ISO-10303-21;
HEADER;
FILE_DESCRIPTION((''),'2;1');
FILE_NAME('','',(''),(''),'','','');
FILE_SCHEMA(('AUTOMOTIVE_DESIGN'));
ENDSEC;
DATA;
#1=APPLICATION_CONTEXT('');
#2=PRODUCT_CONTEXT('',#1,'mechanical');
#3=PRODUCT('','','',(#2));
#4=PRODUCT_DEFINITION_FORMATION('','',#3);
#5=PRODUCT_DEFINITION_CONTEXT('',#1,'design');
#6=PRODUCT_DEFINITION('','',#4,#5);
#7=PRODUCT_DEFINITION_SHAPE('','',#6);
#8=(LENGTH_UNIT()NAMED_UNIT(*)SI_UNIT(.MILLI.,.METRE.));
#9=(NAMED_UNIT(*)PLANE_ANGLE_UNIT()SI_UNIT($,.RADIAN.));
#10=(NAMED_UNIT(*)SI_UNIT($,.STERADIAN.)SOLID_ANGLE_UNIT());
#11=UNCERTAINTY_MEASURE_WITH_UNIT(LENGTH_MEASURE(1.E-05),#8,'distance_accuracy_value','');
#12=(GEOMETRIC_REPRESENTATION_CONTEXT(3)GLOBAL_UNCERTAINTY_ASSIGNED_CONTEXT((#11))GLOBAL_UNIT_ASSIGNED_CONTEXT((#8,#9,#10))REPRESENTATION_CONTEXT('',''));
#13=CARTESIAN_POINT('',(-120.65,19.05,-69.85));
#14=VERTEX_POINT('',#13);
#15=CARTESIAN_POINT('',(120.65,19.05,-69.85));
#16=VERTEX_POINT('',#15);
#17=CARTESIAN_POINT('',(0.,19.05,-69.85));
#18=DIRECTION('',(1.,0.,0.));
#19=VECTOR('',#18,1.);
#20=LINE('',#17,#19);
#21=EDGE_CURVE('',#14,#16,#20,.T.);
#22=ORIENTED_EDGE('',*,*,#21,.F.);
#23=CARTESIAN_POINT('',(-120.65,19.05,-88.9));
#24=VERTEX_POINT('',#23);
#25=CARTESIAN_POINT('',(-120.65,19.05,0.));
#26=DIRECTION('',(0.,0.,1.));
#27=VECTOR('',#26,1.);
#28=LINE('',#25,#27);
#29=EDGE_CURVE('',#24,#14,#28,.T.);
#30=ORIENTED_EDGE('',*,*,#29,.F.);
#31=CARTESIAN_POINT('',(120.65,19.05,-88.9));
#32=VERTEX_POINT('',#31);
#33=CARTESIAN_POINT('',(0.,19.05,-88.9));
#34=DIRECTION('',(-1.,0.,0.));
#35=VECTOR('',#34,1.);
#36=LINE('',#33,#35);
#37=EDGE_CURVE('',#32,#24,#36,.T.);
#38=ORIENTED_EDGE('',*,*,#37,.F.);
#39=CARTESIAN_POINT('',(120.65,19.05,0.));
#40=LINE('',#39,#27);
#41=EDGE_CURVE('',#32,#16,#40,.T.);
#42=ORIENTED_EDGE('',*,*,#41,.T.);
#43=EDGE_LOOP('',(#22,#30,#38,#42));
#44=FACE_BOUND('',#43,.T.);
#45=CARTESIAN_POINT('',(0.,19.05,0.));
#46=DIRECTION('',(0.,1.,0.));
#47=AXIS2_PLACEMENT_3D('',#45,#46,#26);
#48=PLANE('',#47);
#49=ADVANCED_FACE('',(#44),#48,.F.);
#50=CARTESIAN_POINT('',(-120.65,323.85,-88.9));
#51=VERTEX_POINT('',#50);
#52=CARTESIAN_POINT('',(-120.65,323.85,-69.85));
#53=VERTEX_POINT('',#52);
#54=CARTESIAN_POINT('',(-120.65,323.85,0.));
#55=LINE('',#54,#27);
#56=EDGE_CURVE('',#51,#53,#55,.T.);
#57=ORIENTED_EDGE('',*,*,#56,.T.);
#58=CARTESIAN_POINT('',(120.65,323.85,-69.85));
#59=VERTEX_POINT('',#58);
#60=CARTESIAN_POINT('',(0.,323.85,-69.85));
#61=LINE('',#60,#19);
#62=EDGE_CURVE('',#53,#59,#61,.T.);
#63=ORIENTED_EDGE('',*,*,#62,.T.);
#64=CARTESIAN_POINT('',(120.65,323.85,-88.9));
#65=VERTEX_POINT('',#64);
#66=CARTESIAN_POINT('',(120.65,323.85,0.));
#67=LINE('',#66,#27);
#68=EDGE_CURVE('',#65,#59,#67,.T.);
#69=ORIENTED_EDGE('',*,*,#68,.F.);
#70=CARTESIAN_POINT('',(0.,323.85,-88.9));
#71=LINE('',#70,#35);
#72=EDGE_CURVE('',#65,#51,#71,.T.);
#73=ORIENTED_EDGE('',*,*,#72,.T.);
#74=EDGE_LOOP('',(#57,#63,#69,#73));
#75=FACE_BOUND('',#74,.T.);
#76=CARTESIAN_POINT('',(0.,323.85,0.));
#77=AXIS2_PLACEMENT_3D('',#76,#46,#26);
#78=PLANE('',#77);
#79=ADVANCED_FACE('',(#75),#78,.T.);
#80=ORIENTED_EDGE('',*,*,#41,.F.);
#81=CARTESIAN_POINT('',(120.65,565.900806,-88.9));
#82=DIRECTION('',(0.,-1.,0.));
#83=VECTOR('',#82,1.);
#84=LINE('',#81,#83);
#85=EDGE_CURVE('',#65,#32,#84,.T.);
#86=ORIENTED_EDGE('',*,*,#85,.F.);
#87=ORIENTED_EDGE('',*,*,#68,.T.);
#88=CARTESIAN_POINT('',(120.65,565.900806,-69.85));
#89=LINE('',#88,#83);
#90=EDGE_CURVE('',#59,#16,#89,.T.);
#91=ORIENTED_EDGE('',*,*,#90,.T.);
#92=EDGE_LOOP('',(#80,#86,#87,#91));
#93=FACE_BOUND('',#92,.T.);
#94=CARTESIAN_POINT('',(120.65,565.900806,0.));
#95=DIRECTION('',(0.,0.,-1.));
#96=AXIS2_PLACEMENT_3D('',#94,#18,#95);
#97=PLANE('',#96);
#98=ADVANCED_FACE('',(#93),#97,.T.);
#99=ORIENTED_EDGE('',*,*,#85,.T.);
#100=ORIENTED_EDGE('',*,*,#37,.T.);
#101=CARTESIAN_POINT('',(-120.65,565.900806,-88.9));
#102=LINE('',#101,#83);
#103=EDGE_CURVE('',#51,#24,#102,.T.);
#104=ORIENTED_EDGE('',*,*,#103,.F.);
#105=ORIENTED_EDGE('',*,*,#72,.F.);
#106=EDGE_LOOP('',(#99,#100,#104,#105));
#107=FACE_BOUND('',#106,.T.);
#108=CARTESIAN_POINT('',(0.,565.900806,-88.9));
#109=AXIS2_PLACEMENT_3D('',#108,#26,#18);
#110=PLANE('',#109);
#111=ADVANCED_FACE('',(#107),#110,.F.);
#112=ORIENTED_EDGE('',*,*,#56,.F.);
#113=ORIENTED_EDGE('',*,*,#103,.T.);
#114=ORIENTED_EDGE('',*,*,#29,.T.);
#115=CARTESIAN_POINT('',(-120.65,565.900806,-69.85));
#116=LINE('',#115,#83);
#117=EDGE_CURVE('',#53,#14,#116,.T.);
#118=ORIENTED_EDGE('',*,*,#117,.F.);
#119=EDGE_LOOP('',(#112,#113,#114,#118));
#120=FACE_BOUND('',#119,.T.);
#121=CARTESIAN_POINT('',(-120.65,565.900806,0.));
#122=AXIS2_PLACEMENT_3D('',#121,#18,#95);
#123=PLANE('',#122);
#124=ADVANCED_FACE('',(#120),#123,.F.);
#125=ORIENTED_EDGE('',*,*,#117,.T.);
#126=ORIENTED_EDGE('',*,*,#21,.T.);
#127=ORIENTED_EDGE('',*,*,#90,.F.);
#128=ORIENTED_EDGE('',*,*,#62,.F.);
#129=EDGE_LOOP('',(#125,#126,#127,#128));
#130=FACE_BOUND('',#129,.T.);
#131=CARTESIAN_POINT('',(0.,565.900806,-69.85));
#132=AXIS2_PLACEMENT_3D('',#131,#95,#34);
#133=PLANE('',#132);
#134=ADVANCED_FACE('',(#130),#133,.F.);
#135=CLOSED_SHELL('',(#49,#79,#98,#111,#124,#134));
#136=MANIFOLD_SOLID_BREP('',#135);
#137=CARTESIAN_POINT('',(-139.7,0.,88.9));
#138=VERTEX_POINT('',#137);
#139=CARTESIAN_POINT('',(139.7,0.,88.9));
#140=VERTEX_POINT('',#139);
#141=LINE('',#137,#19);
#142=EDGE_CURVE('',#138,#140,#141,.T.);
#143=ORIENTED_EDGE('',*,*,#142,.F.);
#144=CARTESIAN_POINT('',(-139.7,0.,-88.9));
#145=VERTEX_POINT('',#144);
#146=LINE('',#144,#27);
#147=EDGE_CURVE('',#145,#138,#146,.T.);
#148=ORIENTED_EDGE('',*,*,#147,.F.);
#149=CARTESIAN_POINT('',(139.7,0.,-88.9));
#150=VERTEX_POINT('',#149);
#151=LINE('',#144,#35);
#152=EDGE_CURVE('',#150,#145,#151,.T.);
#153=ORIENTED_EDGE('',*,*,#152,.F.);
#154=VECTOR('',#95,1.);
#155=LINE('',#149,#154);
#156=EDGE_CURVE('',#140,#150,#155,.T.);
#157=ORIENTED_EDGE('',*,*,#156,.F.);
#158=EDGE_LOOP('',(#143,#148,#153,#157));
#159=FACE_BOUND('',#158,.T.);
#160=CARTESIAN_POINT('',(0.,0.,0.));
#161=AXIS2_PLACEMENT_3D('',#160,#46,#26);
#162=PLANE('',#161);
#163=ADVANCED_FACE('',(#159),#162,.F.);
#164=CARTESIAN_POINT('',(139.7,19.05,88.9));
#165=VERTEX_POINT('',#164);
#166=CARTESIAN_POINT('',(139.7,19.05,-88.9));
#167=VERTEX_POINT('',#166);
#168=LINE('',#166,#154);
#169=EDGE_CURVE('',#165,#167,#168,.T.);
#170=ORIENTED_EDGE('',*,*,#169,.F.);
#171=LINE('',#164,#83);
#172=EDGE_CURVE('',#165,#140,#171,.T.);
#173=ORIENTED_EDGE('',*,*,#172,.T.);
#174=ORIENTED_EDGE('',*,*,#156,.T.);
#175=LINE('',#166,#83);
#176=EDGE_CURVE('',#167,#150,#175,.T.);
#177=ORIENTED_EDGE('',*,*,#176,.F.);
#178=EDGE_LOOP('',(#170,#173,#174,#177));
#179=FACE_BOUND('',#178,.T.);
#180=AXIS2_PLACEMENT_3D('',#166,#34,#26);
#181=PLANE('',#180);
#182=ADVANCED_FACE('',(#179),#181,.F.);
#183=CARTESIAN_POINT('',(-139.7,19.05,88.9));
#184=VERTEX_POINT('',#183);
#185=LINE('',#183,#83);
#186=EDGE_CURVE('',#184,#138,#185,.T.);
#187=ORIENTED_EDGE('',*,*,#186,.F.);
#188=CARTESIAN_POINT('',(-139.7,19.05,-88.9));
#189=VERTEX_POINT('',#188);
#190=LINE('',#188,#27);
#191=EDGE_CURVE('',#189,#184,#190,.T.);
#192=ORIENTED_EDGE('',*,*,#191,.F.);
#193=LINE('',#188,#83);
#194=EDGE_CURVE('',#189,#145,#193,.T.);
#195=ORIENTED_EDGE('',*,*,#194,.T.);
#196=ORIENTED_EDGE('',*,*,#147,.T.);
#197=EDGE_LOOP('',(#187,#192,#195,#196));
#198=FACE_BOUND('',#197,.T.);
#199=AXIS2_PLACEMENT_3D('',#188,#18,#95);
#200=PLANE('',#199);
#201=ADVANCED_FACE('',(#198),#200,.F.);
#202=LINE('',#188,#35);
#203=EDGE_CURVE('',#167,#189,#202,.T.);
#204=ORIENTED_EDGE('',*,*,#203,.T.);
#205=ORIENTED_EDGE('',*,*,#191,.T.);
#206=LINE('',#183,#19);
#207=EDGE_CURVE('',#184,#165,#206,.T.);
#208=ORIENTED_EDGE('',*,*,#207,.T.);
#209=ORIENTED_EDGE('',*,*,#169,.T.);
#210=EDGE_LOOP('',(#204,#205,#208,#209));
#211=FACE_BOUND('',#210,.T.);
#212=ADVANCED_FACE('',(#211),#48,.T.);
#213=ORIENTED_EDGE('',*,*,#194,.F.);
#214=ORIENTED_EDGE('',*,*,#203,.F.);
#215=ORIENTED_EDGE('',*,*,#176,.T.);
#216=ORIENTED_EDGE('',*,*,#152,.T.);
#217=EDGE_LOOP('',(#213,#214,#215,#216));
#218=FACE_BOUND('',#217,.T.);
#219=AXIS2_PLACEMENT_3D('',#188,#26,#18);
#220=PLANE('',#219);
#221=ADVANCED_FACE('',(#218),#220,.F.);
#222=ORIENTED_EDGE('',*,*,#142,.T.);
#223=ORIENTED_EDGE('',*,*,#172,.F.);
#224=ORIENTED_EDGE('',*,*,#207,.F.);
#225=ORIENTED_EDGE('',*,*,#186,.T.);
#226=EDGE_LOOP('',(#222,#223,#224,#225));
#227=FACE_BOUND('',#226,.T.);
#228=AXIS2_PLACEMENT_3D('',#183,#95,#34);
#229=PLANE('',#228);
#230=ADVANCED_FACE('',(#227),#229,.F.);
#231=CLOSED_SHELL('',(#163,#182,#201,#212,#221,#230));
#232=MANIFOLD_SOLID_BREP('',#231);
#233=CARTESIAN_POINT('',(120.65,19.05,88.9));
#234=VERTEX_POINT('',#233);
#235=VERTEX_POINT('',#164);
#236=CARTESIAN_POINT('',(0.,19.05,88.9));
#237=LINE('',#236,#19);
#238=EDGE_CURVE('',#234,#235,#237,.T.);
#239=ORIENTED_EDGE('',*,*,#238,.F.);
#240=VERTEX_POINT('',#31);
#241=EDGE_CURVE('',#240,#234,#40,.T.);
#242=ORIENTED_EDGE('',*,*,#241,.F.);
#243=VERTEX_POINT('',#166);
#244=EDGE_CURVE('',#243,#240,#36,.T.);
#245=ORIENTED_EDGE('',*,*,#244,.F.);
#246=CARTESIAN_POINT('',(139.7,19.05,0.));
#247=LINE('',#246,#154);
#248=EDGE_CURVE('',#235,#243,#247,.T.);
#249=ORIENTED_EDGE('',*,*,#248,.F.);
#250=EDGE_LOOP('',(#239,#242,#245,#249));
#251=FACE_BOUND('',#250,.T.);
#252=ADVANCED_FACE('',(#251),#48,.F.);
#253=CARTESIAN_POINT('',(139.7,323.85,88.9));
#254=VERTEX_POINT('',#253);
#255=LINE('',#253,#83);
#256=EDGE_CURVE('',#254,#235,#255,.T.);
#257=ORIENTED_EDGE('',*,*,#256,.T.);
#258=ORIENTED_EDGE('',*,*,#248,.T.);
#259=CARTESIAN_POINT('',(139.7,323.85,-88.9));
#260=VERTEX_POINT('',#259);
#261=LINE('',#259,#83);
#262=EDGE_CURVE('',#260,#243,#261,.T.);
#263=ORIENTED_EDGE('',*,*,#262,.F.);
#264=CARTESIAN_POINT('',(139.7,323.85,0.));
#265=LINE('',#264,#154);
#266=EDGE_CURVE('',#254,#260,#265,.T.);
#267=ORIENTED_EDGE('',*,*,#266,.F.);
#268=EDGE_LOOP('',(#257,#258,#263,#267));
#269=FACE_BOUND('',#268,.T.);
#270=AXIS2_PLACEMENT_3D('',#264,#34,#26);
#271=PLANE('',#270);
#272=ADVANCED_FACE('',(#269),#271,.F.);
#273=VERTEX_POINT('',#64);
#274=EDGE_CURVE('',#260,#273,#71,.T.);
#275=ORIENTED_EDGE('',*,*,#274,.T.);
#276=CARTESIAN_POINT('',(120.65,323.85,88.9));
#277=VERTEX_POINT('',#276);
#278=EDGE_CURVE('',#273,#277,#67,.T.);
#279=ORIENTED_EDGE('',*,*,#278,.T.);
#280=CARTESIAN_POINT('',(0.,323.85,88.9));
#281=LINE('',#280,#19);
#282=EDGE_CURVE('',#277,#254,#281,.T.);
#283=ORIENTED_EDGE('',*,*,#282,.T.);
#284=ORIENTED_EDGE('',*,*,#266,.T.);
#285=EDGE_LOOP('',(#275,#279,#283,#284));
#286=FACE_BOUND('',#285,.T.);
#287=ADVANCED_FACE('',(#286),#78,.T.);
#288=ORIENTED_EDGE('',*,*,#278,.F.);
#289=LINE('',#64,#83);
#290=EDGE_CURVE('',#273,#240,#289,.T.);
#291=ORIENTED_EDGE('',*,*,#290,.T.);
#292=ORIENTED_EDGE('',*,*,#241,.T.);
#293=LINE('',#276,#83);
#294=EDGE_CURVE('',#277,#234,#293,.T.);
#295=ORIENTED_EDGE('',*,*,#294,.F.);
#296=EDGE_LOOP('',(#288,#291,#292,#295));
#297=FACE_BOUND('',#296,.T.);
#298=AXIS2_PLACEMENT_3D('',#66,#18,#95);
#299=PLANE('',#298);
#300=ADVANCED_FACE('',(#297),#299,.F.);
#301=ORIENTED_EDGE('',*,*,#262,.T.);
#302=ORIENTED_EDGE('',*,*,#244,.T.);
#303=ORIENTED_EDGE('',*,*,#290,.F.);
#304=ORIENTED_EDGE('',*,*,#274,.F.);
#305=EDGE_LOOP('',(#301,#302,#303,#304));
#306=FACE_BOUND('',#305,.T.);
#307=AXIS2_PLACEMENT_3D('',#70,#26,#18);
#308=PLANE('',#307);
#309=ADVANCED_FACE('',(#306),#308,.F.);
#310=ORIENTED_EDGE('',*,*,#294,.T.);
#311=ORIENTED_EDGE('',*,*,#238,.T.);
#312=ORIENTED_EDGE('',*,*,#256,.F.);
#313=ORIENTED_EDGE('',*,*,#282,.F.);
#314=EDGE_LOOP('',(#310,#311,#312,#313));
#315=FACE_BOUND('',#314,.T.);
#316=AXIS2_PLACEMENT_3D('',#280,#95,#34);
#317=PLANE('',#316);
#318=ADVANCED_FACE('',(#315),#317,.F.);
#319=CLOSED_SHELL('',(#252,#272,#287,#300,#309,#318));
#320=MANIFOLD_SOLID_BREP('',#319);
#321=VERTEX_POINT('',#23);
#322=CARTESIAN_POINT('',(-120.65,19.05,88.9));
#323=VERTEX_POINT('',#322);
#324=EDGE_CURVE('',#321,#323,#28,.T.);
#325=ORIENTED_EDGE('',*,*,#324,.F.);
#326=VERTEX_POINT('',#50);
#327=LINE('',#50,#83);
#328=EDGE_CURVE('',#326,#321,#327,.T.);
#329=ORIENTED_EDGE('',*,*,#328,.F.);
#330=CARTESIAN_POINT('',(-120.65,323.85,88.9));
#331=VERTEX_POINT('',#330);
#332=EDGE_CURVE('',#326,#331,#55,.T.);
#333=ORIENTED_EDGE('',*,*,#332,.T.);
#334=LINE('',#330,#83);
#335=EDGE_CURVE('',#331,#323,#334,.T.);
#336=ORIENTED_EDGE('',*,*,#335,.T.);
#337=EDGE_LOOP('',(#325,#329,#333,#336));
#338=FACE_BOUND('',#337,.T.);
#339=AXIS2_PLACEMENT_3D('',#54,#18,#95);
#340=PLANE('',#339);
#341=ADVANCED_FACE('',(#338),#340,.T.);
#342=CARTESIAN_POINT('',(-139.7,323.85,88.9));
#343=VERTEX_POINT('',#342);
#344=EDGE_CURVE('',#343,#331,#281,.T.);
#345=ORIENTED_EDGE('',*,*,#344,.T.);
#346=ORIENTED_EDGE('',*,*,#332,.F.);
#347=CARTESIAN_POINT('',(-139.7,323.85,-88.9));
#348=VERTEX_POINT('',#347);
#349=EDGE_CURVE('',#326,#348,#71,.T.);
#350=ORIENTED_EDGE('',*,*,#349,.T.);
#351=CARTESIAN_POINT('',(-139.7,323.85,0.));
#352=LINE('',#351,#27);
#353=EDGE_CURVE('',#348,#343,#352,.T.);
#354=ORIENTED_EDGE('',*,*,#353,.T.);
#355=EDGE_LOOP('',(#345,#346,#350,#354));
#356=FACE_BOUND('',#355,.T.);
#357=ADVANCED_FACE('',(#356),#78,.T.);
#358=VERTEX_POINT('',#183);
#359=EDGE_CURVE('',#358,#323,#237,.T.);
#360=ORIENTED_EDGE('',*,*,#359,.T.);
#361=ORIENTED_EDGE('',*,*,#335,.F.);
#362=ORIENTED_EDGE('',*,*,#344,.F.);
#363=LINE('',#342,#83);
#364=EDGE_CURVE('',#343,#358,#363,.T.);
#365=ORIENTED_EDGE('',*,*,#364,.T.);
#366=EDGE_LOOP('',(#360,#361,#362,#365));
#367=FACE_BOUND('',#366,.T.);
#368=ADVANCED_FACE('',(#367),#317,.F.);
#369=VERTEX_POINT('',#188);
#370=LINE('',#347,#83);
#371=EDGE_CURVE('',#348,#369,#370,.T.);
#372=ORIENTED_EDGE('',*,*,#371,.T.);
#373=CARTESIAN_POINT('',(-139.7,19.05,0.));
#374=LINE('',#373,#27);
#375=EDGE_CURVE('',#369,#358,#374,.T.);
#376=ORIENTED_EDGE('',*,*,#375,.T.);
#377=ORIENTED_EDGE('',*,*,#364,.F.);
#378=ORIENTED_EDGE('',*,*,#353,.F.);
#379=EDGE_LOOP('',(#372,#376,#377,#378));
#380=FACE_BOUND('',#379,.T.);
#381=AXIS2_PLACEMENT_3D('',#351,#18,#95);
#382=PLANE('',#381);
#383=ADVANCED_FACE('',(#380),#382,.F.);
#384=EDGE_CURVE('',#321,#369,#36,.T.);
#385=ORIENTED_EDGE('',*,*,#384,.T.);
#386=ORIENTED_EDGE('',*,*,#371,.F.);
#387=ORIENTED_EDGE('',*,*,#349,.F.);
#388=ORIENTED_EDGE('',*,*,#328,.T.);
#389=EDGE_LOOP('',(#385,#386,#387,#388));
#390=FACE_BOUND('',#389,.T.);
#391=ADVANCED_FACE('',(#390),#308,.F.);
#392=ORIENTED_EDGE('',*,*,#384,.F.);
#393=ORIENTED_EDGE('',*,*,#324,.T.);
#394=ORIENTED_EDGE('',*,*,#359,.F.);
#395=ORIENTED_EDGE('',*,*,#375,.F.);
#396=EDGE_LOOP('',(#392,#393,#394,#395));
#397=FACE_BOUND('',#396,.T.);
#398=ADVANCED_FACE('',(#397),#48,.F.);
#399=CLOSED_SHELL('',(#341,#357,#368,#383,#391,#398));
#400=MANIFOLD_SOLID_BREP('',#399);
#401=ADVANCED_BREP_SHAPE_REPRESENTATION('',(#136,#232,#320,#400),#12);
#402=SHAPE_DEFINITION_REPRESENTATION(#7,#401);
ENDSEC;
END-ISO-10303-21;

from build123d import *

# Parameters (mm, degrees)
SKETCH1_W             = 279.4
SKETCH1_H             = 177.8
BOSS_EXTRUDE1_DEPTH   = 19.05
BOSS_EXTRUDE2_DEPTH   = 304.8
BOSS_EXTRUDE2_2_DEPTH = 304.8
SKETCH2_3_W           = 241.3
SKETCH2_3_H           = 19.05
BOSS_EXTRUDE3_DEPTH   = 304.8


with BuildPart() as part:
    # Sketch1 → Boss-Extrude1 (new body)
    with BuildSketch(Plane(origin=(0, 0, 0), x_dir=(1, 0, 0), z_dir=(0, 1, 0))):
        Rectangle(SKETCH1_W, SKETCH1_H)
    extrude(amount=BOSS_EXTRUDE1_DEPTH)


with BuildPart() as body_2:
    # Sketch2 → Boss-Extrude2 (new body)
    with BuildSketch(Plane(origin=(0, 19.05, 0), x_dir=(1, 0, 0), z_dir=(0, 1, 0))):
        Polygon((-120.65, 88.9), (-139.7, 88.9), (-139.7, -88.9), (-120.65, -88.9), (-120.65, 69.85), align=None)
    extrude(amount=BOSS_EXTRUDE2_DEPTH)


with BuildPart() as body_3:
    # Sketch2 → Boss-Extrude2 2 (new body)
    with BuildSketch(Plane(origin=(0, 19.05, 0), x_dir=(1, 0, 0), z_dir=(0, 1, 0))):
        Polygon((139.7, 88.9), (120.65, 88.9), (120.65, 69.85), (120.65, -88.9), (139.7, -88.9), align=None)
    extrude(amount=BOSS_EXTRUDE2_2_DEPTH)


with BuildPart() as body_4:
    # Sketch2<3> → Boss-Extrude3 (new body)
    with BuildSketch(Plane(origin=(0, 19.05, 0), x_dir=(1, 0, 0), z_dir=(0, 1, 0))):
        with Locations((0, 79.375)):
            Rectangle(SKETCH2_3_W, SKETCH2_3_H)
    extrude(amount=BOSS_EXTRUDE3_DEPTH)


solid = Compound([part.part, body_2.part, body_3.part, body_4.part])
